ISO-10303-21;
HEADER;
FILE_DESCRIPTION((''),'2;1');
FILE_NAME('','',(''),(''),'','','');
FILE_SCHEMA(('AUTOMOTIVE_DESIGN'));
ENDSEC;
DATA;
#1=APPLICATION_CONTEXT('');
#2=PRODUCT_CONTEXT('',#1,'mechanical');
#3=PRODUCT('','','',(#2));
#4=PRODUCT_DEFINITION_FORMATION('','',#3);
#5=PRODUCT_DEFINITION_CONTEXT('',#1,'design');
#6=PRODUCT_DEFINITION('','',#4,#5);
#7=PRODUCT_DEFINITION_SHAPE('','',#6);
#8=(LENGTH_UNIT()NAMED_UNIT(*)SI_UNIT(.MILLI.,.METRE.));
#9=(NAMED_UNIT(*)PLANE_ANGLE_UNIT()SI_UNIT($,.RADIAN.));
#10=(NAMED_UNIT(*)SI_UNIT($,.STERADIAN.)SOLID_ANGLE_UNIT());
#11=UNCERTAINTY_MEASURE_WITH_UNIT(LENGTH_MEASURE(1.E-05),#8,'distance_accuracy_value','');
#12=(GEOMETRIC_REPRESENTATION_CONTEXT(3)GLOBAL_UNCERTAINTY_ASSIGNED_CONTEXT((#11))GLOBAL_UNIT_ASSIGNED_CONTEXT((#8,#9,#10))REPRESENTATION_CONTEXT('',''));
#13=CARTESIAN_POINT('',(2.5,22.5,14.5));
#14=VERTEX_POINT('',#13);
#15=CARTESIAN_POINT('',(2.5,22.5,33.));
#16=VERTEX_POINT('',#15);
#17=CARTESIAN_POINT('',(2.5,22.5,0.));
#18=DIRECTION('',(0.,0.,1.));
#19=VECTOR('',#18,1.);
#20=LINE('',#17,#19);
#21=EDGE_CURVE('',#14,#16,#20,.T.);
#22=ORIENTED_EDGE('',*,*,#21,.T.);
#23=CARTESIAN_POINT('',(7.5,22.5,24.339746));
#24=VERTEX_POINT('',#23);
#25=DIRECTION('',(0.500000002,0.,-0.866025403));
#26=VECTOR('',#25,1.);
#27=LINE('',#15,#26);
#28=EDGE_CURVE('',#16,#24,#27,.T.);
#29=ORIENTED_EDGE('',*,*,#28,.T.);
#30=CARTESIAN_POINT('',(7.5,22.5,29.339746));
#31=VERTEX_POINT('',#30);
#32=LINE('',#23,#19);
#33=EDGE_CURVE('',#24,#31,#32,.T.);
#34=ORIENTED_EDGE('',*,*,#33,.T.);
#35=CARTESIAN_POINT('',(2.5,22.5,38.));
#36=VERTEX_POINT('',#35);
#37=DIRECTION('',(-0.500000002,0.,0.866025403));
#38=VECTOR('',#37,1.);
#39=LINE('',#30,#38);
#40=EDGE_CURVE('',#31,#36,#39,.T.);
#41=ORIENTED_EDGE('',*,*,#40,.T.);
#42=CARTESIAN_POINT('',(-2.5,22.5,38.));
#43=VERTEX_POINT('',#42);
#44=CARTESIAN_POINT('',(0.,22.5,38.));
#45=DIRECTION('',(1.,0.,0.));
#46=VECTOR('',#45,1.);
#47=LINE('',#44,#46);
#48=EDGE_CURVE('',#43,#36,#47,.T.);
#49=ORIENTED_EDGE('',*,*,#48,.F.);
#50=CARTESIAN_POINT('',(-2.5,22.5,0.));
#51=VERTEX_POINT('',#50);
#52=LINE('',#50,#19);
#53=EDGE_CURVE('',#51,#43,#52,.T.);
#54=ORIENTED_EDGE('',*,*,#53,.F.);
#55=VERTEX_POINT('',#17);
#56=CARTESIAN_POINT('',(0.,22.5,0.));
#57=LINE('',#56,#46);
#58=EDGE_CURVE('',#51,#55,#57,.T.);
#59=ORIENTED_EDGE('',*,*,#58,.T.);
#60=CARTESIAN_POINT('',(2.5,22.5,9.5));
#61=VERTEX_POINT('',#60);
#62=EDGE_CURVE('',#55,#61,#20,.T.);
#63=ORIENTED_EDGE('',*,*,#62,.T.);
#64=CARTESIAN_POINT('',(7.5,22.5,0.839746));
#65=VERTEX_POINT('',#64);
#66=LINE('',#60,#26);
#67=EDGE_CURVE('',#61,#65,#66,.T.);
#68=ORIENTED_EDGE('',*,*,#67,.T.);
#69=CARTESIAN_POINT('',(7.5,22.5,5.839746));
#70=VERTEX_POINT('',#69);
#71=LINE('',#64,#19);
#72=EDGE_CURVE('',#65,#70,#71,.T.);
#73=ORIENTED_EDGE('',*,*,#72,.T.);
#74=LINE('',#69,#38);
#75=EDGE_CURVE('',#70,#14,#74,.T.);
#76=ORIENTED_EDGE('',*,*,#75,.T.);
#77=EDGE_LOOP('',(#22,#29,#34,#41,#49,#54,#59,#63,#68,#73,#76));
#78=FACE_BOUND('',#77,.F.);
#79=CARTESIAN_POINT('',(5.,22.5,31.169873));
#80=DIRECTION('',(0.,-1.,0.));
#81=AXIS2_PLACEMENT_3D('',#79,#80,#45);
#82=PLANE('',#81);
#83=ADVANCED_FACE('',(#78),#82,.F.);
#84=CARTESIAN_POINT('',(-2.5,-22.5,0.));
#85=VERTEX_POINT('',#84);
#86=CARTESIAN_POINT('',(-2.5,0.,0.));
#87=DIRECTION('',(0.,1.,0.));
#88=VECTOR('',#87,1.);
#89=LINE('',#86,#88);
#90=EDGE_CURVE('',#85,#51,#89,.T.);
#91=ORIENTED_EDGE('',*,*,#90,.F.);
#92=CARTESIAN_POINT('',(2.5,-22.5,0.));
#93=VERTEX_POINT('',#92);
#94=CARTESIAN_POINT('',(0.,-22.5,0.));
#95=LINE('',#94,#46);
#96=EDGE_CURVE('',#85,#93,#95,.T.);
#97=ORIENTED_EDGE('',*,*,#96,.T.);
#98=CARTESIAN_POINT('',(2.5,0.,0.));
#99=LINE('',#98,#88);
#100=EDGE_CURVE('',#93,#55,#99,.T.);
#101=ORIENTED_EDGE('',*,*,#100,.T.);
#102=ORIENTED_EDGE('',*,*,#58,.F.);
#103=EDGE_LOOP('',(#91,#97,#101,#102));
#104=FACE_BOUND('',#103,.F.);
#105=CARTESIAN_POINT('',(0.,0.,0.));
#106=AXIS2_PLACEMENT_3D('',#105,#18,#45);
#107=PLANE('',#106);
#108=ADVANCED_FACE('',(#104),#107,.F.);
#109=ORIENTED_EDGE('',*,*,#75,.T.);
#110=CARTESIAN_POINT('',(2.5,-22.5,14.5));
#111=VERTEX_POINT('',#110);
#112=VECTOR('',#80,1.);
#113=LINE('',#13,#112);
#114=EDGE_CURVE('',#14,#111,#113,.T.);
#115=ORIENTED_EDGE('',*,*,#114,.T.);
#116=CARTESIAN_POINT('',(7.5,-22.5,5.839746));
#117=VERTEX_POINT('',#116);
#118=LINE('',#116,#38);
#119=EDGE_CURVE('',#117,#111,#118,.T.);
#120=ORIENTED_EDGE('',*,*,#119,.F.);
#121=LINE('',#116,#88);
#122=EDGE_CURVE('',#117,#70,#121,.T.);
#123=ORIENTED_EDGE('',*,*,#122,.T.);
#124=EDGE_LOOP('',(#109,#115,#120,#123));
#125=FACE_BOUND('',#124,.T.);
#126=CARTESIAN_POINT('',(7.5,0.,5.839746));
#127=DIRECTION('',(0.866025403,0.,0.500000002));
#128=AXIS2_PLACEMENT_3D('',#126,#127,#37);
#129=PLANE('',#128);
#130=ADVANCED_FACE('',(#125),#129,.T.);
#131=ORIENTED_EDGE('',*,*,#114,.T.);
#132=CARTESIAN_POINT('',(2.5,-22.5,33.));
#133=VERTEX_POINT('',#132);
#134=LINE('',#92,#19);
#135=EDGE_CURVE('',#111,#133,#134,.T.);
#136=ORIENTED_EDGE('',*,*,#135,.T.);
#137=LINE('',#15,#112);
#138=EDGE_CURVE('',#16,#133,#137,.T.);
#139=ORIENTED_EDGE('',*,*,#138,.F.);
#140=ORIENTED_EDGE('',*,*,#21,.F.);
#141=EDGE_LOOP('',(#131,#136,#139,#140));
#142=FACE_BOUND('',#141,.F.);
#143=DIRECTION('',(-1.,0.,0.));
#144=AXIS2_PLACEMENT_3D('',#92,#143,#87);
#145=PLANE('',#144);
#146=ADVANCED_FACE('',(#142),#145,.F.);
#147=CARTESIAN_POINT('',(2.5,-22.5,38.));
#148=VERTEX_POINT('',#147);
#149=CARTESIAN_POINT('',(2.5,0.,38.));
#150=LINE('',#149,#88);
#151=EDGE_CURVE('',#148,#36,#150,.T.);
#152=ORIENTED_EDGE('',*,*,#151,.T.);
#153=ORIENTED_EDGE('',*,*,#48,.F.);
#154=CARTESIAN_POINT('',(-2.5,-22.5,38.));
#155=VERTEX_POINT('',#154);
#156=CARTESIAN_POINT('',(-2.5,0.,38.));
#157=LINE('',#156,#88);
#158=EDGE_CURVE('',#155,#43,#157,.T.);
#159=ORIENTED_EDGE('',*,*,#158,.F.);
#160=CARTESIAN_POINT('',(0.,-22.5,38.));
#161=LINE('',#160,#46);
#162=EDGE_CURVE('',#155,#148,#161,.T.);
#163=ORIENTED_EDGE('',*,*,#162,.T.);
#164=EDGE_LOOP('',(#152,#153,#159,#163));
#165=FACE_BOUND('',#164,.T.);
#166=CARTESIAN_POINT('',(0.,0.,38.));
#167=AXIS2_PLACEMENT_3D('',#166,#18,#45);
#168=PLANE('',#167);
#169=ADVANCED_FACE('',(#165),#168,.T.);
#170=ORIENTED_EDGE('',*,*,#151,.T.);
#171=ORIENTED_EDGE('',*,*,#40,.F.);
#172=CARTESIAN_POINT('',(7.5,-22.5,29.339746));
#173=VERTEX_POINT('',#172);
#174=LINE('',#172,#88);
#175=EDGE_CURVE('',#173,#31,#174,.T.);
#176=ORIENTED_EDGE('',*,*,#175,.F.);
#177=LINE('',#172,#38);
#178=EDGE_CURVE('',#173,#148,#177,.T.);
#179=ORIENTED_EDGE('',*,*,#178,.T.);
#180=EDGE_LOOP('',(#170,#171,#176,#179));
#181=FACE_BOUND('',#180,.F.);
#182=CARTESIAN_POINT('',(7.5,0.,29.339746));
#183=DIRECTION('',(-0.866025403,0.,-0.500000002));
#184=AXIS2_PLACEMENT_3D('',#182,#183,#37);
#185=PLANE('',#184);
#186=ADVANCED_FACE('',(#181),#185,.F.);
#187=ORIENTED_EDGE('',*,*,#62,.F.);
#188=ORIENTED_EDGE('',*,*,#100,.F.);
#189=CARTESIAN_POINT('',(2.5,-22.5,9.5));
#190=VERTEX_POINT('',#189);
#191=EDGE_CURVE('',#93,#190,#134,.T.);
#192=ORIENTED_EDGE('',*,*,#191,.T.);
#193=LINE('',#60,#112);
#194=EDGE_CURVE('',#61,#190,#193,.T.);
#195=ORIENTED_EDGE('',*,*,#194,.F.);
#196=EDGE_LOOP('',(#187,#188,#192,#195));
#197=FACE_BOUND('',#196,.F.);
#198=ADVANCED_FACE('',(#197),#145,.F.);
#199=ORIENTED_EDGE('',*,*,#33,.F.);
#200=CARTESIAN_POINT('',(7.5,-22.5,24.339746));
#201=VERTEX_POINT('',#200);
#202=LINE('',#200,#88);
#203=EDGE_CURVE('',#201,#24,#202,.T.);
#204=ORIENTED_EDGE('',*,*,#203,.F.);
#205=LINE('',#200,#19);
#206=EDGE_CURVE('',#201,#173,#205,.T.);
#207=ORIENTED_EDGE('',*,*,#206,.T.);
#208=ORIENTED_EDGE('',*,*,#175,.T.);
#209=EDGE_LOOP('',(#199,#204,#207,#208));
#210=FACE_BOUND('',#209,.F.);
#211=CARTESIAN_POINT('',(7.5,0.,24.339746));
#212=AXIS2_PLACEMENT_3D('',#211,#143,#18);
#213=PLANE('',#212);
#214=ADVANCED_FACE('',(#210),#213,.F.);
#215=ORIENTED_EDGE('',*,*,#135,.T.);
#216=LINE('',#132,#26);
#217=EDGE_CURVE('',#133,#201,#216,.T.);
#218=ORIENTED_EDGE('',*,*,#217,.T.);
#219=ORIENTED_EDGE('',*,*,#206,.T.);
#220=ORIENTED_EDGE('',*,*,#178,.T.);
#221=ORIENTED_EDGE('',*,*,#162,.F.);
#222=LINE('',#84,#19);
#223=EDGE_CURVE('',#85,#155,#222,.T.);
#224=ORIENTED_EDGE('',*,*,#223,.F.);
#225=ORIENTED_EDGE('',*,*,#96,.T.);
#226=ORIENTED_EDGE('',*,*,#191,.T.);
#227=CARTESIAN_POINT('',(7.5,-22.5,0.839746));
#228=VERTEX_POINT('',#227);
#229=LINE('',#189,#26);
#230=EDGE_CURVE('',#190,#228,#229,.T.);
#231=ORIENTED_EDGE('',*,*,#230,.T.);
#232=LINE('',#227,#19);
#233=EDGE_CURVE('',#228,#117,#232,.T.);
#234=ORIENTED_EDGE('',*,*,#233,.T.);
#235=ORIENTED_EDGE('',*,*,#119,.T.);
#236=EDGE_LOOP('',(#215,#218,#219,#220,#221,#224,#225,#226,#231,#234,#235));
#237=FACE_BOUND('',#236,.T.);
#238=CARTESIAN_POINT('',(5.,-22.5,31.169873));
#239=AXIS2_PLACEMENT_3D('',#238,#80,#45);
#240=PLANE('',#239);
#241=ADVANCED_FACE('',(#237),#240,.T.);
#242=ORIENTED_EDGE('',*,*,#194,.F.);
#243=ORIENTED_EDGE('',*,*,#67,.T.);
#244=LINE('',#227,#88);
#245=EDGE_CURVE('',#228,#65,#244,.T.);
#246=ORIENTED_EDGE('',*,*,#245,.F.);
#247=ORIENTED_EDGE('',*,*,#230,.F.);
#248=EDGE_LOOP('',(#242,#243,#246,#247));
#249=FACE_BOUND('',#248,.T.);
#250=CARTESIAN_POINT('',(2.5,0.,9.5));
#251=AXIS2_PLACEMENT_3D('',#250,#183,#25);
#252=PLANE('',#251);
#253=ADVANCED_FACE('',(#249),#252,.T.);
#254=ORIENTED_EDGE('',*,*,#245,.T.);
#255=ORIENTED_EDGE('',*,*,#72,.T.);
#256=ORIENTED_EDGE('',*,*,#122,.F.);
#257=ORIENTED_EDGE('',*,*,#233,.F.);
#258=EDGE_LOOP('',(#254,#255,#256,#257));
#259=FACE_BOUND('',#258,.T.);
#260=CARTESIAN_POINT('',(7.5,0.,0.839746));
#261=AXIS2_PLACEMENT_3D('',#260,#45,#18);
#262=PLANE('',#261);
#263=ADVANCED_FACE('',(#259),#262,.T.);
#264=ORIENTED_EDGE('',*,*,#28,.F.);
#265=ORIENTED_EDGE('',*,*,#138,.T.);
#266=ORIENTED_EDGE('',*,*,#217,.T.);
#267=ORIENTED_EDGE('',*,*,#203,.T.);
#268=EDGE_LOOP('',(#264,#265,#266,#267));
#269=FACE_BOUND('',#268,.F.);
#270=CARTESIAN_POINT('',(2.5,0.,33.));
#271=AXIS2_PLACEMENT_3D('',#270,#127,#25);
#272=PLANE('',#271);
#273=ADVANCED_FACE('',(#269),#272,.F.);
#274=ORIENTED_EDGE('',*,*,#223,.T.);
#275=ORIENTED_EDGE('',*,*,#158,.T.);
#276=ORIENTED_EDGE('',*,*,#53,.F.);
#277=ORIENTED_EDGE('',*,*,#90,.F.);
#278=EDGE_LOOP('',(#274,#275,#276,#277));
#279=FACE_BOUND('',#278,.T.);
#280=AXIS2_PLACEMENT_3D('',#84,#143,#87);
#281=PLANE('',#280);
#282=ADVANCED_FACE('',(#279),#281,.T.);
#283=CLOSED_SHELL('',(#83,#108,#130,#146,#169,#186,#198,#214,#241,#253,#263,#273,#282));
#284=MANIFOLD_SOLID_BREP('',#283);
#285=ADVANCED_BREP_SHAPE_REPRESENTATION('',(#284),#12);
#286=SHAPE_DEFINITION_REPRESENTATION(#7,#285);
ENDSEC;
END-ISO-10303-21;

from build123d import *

# Parameters (mm, degrees)
F0_W     = 5
F0_H     = 45
F1_DEPTH = 38
F3_DEPTH = 22.5


with BuildPart() as f1:
    # F0 (on Top) → F1 (new body)
    with BuildSketch(Plane.XY):
        Rectangle(F0_W, F0_H)
    extrude(amount=F1_DEPTH)

    # F2 (on Front) → F3 (join, symmetric)
    with BuildSketch(Plane.XZ):
        Polygon((7.5, 29.339746), (2.5, 38), (2.5, 33), (7.5, 24.339746), align=None)
        Polygon((7.5, 5.839746), (2.5, 14.5), (2.5, 9.5), (7.5, 0.839746), align=None)
    extrude(amount=F3_DEPTH, both=True)


solid = f1.part
